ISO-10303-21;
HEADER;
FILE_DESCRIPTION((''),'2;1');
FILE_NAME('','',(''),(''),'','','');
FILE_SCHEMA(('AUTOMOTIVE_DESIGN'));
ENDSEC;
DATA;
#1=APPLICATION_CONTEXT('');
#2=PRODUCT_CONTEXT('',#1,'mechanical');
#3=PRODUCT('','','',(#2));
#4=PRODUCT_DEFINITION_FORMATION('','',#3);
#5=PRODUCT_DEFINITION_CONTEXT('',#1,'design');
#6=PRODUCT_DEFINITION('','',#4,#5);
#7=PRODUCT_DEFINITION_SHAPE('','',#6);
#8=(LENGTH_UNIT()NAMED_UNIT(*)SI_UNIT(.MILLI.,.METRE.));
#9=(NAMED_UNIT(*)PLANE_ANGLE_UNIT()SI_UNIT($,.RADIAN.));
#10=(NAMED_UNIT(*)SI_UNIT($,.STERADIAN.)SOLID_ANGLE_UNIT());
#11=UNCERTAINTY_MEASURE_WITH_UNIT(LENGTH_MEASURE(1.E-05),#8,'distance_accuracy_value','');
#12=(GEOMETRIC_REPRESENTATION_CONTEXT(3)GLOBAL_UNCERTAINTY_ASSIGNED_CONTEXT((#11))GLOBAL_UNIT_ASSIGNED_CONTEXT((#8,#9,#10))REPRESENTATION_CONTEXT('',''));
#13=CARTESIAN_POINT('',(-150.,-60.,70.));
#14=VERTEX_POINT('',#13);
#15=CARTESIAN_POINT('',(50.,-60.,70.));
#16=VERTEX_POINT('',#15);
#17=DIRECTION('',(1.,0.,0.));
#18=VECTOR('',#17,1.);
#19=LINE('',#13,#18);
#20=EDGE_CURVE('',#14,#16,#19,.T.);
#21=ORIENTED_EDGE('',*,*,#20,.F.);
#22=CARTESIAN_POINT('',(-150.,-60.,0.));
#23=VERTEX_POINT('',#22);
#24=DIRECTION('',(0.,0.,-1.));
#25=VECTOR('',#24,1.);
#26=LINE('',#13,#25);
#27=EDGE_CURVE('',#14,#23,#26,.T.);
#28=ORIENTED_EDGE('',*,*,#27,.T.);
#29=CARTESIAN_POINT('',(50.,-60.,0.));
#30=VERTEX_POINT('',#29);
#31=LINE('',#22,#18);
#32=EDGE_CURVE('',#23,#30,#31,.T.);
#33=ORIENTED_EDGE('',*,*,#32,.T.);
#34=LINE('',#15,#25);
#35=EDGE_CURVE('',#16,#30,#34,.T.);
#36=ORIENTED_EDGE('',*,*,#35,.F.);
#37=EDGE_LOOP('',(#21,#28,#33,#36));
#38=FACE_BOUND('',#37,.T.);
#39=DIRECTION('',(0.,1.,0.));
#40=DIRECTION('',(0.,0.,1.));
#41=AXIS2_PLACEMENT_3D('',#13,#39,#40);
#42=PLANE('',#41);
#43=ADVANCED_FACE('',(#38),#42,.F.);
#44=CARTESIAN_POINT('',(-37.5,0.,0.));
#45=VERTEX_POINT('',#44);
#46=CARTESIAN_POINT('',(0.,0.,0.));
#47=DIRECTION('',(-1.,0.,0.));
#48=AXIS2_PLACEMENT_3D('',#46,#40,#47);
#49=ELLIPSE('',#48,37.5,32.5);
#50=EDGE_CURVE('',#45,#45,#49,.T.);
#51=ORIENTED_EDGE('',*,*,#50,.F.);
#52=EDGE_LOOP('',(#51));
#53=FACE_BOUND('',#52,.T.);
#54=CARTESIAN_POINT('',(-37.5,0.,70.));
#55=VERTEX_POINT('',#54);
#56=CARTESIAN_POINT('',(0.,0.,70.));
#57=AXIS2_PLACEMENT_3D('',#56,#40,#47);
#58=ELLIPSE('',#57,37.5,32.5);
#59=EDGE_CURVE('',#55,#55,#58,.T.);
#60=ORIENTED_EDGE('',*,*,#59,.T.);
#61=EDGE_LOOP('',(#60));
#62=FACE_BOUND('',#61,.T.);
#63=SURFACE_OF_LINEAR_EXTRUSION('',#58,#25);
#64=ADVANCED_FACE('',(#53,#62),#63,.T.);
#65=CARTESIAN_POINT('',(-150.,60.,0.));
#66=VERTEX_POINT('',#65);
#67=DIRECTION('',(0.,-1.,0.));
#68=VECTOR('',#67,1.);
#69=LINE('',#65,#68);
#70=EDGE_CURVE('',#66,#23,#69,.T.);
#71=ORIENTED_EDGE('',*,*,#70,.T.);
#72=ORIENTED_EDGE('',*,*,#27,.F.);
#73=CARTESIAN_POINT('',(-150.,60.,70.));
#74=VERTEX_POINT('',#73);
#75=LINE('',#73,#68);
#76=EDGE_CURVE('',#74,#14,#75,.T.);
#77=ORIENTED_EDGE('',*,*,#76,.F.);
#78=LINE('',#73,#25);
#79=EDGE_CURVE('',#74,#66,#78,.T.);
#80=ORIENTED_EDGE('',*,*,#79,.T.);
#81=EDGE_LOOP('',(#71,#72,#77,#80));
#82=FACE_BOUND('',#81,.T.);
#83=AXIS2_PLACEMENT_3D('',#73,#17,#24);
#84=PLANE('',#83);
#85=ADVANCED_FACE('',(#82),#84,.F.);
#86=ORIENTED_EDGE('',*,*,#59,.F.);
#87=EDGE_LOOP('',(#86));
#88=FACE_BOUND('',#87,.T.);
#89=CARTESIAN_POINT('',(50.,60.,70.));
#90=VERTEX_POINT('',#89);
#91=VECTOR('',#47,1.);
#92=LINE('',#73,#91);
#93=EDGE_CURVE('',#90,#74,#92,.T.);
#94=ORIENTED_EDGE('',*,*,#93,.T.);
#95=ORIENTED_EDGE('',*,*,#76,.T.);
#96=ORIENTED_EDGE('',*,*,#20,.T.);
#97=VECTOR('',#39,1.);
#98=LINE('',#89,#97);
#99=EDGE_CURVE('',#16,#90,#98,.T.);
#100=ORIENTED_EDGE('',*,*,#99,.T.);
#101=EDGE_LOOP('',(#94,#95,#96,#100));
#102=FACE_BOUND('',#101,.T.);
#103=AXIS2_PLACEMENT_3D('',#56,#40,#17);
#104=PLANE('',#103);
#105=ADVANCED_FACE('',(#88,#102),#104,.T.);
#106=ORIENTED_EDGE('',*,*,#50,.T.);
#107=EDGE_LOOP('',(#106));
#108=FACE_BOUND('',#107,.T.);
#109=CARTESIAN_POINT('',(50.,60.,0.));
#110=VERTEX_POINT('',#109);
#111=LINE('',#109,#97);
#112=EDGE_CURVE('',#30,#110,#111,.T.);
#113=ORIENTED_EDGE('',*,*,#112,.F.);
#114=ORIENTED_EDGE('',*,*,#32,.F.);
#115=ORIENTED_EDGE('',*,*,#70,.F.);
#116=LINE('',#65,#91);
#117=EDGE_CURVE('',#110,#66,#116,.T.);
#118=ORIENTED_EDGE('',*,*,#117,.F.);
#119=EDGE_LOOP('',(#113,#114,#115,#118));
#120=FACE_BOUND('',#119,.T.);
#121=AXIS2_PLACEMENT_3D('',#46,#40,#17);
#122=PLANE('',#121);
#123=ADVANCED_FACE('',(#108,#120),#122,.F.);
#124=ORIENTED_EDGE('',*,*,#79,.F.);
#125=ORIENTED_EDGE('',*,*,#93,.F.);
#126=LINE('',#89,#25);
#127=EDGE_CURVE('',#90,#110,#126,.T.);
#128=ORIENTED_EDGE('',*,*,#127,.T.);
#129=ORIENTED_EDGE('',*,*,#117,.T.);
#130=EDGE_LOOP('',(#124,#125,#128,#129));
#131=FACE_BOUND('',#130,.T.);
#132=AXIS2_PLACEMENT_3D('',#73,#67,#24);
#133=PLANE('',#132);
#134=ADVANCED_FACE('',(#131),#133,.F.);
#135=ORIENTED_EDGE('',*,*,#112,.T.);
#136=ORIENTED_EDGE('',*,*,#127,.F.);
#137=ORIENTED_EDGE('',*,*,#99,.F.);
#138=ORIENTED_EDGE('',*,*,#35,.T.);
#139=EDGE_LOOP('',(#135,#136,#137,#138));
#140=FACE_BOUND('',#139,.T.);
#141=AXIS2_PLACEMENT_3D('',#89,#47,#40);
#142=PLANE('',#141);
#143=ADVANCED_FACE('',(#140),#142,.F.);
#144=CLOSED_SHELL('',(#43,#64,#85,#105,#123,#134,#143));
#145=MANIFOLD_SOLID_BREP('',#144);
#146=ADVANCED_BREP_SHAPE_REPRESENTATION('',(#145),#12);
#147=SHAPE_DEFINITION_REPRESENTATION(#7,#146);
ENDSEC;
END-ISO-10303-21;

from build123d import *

# Parameters (mm, degrees)
SKETCH1_W           = 200
SKETCH1_H           = 120
SKETCH1_RX          = 37.5
SKETCH1_RY          = 32.5
BOSS_EXTRUDE1_DEPTH = 70


with BuildPart() as part:
    # Sketch1 → Boss-Extrude1 (new body)
    with BuildSketch(Plane.XY):
        with Locations((-50, 0)):
            Rectangle(SKETCH1_W, SKETCH1_H)
        with Locations(Location((0, 0), (0, 0, 180))):
            Ellipse(SKETCH1_RX, SKETCH1_RY, mode=Mode.SUBTRACT)
    extrude(amount=BOSS_EXTRUDE1_DEPTH)


solid = part.part
